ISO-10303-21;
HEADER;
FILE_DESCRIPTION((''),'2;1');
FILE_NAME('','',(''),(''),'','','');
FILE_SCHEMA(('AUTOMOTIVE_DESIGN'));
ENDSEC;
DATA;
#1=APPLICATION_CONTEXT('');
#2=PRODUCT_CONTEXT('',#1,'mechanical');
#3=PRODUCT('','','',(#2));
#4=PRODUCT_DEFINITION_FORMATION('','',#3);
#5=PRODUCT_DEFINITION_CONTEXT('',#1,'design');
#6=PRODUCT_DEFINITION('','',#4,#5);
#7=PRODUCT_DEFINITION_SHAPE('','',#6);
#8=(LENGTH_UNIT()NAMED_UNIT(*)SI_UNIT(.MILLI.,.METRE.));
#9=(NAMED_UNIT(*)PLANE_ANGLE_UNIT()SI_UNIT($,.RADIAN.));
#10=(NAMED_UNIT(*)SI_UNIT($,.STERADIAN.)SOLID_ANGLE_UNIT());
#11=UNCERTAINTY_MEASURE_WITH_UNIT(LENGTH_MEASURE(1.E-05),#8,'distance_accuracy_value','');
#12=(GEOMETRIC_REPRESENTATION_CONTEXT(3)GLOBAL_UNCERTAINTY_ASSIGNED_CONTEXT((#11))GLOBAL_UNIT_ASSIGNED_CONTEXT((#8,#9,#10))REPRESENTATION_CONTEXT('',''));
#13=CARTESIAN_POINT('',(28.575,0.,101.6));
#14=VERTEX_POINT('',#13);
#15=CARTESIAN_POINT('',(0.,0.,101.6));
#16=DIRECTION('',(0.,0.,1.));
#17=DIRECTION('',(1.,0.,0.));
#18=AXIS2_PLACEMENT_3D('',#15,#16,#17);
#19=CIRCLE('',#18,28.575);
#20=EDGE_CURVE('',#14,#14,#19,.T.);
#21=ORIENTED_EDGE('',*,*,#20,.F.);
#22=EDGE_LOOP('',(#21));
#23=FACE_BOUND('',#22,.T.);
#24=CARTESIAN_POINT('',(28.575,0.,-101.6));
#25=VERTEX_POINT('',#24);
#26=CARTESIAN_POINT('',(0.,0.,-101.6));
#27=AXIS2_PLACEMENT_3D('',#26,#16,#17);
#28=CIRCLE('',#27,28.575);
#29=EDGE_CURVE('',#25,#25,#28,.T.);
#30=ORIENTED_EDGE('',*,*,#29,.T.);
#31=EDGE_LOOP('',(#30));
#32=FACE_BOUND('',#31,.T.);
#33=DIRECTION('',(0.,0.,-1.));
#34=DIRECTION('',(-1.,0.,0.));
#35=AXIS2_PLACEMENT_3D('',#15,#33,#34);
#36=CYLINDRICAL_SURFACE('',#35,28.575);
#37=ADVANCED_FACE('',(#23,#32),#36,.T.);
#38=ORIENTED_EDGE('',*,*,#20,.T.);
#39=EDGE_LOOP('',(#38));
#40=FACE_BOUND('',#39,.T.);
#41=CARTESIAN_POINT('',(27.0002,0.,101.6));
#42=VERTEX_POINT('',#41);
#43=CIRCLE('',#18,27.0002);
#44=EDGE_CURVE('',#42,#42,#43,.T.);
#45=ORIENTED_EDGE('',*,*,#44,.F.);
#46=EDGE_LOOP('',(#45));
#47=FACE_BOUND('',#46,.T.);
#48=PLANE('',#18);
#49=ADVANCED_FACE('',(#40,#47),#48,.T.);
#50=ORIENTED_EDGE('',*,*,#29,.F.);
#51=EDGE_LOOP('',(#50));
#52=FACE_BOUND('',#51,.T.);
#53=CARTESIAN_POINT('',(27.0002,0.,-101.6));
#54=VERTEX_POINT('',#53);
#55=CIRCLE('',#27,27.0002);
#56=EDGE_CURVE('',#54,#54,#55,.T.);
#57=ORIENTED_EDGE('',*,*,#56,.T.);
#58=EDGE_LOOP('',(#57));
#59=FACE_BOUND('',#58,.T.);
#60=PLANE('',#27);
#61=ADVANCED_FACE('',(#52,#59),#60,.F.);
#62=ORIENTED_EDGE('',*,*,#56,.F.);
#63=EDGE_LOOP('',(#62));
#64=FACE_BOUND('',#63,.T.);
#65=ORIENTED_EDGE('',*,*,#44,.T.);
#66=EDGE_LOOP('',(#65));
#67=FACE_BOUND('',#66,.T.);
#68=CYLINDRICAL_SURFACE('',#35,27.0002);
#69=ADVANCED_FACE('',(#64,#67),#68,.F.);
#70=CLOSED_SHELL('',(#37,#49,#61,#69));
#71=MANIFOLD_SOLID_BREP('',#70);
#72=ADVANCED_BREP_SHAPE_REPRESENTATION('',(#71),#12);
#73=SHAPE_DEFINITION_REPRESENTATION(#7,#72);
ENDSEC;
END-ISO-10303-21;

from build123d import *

# Parameters (mm, degrees)
SKETCH1_R           = 28.575
SKETCH1_R_2         = 27.0002
BOSS_EXTRUDE1_DEPTH = 101.6


with BuildPart() as part:
    # Sketch1 → Boss-Extrude1 (new body, symmetric)
    with BuildSketch(Plane.XY):
        Circle(SKETCH1_R)
        Circle(SKETCH1_R_2, mode=Mode.SUBTRACT)
    extrude(amount=BOSS_EXTRUDE1_DEPTH, both=True)


solid = part.part
